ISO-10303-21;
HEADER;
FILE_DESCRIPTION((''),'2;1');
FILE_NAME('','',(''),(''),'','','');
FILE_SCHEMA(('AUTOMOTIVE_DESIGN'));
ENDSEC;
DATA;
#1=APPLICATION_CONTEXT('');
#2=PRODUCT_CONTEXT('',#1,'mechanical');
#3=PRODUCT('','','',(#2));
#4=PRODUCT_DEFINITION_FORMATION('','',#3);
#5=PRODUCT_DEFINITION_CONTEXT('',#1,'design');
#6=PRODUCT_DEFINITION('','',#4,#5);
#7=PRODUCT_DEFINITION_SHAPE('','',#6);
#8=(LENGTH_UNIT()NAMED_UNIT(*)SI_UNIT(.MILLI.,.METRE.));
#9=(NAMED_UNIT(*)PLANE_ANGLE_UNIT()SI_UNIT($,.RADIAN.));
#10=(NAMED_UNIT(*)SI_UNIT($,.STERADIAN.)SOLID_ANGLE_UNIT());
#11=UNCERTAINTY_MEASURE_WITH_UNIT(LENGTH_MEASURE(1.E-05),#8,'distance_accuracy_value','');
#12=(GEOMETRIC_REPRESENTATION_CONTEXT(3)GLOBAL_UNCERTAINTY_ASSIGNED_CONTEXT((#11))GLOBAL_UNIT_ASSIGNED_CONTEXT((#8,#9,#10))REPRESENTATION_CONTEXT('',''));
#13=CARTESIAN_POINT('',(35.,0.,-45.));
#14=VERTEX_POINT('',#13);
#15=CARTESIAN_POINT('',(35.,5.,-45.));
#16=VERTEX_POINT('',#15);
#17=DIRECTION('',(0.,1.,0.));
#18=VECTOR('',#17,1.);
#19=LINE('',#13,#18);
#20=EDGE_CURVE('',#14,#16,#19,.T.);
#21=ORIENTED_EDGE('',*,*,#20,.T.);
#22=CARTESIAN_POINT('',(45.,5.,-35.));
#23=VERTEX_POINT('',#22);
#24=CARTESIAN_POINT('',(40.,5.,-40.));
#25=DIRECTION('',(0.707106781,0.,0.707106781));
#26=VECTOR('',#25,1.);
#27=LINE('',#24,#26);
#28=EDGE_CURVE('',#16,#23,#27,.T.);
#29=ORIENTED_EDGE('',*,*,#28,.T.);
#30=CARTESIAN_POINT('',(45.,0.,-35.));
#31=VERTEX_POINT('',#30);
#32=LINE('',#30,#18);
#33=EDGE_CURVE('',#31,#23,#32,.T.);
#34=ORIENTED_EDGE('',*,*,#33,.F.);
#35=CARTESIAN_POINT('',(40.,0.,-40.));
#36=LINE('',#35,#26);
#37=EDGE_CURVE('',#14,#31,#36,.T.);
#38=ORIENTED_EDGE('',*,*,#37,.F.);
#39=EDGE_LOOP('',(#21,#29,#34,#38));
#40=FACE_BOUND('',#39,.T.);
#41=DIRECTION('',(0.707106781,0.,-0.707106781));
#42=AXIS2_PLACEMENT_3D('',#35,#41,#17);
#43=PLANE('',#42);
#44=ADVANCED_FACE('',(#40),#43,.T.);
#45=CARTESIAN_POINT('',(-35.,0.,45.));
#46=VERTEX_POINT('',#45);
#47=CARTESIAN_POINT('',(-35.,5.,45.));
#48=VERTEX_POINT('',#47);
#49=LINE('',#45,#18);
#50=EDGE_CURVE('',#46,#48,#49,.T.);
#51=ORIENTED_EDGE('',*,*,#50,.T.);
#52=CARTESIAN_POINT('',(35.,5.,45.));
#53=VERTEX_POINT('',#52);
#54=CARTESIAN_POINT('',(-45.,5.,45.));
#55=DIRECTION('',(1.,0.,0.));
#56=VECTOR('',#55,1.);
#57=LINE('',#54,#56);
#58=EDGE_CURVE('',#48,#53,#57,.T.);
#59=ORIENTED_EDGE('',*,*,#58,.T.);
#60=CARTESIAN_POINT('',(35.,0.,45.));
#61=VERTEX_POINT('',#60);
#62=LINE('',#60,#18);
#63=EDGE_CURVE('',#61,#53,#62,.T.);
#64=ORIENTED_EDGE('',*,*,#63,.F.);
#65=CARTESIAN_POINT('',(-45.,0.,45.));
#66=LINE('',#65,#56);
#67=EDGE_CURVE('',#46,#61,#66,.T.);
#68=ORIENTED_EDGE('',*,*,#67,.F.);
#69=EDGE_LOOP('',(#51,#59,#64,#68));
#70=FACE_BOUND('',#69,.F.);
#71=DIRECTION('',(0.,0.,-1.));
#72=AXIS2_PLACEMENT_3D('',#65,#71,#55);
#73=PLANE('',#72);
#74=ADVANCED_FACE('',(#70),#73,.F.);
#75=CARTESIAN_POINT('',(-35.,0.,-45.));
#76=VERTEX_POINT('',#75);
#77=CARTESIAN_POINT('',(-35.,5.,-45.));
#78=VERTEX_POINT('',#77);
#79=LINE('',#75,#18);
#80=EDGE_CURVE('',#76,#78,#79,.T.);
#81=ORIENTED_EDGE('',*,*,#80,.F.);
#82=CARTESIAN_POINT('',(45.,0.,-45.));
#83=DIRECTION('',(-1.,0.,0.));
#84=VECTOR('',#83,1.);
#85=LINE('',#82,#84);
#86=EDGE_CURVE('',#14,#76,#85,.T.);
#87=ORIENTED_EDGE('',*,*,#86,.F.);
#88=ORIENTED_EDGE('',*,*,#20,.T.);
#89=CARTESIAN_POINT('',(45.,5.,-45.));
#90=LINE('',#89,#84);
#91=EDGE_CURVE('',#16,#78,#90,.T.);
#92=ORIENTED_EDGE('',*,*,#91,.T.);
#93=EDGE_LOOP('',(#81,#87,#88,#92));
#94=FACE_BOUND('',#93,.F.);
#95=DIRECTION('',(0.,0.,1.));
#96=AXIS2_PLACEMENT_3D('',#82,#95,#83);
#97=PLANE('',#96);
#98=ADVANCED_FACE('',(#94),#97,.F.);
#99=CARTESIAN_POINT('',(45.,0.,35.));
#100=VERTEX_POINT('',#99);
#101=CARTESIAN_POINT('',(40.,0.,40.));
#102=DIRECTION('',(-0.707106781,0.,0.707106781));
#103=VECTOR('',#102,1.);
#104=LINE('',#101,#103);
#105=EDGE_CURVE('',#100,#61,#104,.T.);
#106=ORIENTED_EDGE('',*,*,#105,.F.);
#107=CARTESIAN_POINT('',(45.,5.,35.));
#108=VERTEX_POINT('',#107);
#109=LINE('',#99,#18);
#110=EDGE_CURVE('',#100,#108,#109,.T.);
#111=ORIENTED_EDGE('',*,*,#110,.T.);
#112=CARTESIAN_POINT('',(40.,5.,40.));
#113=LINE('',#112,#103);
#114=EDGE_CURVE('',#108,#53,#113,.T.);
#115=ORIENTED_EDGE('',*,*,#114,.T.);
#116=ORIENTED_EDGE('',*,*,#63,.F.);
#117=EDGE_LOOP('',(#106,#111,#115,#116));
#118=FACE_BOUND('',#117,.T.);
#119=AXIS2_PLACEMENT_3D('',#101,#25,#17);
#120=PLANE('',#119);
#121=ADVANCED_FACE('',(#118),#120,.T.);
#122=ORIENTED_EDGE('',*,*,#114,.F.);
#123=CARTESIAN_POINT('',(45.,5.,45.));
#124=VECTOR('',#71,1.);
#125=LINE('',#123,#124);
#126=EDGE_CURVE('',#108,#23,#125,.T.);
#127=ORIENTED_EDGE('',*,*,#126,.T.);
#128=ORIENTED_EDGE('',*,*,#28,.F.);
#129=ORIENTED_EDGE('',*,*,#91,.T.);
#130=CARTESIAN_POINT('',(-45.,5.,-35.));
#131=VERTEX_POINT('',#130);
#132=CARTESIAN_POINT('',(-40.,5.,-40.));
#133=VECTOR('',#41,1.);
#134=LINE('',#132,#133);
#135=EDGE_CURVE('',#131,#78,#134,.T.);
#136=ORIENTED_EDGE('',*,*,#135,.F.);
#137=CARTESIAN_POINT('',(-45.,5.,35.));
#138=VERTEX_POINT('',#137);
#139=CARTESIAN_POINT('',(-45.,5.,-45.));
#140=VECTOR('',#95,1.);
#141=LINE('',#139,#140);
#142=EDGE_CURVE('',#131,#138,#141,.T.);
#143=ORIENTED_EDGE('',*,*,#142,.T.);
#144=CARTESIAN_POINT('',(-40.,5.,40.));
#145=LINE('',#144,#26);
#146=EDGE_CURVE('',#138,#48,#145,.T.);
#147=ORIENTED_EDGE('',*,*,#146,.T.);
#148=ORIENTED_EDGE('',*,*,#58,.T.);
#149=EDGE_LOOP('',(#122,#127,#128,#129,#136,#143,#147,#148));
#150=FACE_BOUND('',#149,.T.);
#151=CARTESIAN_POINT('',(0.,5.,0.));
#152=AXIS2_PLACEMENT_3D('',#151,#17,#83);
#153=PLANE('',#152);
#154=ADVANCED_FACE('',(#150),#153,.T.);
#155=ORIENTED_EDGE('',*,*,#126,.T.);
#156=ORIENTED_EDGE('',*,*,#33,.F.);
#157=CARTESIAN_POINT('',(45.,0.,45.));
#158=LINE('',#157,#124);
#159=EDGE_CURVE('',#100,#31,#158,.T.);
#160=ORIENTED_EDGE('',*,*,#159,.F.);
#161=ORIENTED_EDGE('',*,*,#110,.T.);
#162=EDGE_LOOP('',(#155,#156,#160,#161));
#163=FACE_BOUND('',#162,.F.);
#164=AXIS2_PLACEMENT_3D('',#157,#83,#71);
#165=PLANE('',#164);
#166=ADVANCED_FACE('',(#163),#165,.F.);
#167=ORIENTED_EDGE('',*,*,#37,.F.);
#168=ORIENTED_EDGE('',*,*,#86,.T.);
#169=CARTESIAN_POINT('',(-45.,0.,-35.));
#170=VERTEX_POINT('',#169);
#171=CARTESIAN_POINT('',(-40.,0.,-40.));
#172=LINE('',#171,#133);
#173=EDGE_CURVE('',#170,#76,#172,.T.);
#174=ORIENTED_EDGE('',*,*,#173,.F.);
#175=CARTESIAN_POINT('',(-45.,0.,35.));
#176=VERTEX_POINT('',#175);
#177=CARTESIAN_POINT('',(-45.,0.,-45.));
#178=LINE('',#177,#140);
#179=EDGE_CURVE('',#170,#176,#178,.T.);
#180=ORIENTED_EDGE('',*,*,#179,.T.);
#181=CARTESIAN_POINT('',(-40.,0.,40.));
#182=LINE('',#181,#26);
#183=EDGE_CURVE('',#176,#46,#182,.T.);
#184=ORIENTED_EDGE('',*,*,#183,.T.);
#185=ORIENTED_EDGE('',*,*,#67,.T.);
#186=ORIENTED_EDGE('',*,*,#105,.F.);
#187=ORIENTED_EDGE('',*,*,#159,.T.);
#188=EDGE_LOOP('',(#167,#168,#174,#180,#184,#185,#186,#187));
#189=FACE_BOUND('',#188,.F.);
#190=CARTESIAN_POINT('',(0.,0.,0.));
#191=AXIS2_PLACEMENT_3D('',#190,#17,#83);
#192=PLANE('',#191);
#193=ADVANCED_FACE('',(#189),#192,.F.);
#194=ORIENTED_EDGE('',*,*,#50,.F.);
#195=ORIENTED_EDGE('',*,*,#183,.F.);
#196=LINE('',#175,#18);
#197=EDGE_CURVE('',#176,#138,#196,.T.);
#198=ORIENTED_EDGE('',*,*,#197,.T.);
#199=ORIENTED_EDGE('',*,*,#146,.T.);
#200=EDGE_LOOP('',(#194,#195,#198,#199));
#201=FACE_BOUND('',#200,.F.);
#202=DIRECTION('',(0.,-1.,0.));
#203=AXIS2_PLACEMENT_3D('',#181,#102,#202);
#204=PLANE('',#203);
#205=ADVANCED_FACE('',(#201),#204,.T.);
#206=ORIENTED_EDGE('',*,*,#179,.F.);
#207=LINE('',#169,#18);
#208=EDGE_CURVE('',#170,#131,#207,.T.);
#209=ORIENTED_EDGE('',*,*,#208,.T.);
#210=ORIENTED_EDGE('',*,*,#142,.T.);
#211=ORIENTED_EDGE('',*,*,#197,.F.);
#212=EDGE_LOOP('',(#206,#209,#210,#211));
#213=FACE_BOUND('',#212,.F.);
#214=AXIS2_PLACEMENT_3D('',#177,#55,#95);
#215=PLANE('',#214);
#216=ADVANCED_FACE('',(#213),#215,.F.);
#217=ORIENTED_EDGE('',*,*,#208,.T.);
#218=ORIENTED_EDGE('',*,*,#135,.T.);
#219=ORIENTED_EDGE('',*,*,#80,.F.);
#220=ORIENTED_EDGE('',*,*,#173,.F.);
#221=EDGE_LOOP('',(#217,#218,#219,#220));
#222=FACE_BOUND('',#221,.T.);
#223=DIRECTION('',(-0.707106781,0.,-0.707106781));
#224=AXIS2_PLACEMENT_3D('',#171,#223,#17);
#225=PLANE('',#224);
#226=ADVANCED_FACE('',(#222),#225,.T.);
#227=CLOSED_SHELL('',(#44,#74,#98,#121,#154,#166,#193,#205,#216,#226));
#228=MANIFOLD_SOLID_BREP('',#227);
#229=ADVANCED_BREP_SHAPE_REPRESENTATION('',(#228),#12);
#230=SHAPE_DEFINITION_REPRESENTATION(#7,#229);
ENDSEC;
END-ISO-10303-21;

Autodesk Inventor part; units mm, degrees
ref_plane "YZ Plane" through (0, 0, 0) normal (1, 0, 0) x (0, 1, 0)
ref_plane "XZ Plane" through (0, 0, 0) normal (0, 1, 0) x (-1, 0, 0)
ref_plane "XY Plane" through (0, 0, 0) normal (0, 0, 1) x (1, 0, 0)
sketch "Sketch1" plane through (0, 0, 0) normal (0, 1, 0) x (-1, 0, 0)
  line L0 (45, 45) -> (-45, 45)
  line L1 (-45, 45) -> (-45, -45)
  line L2 (-45, -45) -> (45, -45)
  line L3 (45, -45) -> (45, 45)
  line L4 (45, 45) -> (-45, -45) construction
  line L5 (-45, 45) -> (45, -45) construction
  point P0 (0, 0)
  dimension "d0" = 90
  dimension "d1" = 90
extrude "Extrusion1" add sketch "Sketch1" along normal blind 5
chamfer "Chamfer1" distance 10 angle 45 4 edges at (-45, 2.5, 45) (-45, 2.5, -45) (45, 2.5, -45) (45, 2.5, 45)
properties part number "console top"
